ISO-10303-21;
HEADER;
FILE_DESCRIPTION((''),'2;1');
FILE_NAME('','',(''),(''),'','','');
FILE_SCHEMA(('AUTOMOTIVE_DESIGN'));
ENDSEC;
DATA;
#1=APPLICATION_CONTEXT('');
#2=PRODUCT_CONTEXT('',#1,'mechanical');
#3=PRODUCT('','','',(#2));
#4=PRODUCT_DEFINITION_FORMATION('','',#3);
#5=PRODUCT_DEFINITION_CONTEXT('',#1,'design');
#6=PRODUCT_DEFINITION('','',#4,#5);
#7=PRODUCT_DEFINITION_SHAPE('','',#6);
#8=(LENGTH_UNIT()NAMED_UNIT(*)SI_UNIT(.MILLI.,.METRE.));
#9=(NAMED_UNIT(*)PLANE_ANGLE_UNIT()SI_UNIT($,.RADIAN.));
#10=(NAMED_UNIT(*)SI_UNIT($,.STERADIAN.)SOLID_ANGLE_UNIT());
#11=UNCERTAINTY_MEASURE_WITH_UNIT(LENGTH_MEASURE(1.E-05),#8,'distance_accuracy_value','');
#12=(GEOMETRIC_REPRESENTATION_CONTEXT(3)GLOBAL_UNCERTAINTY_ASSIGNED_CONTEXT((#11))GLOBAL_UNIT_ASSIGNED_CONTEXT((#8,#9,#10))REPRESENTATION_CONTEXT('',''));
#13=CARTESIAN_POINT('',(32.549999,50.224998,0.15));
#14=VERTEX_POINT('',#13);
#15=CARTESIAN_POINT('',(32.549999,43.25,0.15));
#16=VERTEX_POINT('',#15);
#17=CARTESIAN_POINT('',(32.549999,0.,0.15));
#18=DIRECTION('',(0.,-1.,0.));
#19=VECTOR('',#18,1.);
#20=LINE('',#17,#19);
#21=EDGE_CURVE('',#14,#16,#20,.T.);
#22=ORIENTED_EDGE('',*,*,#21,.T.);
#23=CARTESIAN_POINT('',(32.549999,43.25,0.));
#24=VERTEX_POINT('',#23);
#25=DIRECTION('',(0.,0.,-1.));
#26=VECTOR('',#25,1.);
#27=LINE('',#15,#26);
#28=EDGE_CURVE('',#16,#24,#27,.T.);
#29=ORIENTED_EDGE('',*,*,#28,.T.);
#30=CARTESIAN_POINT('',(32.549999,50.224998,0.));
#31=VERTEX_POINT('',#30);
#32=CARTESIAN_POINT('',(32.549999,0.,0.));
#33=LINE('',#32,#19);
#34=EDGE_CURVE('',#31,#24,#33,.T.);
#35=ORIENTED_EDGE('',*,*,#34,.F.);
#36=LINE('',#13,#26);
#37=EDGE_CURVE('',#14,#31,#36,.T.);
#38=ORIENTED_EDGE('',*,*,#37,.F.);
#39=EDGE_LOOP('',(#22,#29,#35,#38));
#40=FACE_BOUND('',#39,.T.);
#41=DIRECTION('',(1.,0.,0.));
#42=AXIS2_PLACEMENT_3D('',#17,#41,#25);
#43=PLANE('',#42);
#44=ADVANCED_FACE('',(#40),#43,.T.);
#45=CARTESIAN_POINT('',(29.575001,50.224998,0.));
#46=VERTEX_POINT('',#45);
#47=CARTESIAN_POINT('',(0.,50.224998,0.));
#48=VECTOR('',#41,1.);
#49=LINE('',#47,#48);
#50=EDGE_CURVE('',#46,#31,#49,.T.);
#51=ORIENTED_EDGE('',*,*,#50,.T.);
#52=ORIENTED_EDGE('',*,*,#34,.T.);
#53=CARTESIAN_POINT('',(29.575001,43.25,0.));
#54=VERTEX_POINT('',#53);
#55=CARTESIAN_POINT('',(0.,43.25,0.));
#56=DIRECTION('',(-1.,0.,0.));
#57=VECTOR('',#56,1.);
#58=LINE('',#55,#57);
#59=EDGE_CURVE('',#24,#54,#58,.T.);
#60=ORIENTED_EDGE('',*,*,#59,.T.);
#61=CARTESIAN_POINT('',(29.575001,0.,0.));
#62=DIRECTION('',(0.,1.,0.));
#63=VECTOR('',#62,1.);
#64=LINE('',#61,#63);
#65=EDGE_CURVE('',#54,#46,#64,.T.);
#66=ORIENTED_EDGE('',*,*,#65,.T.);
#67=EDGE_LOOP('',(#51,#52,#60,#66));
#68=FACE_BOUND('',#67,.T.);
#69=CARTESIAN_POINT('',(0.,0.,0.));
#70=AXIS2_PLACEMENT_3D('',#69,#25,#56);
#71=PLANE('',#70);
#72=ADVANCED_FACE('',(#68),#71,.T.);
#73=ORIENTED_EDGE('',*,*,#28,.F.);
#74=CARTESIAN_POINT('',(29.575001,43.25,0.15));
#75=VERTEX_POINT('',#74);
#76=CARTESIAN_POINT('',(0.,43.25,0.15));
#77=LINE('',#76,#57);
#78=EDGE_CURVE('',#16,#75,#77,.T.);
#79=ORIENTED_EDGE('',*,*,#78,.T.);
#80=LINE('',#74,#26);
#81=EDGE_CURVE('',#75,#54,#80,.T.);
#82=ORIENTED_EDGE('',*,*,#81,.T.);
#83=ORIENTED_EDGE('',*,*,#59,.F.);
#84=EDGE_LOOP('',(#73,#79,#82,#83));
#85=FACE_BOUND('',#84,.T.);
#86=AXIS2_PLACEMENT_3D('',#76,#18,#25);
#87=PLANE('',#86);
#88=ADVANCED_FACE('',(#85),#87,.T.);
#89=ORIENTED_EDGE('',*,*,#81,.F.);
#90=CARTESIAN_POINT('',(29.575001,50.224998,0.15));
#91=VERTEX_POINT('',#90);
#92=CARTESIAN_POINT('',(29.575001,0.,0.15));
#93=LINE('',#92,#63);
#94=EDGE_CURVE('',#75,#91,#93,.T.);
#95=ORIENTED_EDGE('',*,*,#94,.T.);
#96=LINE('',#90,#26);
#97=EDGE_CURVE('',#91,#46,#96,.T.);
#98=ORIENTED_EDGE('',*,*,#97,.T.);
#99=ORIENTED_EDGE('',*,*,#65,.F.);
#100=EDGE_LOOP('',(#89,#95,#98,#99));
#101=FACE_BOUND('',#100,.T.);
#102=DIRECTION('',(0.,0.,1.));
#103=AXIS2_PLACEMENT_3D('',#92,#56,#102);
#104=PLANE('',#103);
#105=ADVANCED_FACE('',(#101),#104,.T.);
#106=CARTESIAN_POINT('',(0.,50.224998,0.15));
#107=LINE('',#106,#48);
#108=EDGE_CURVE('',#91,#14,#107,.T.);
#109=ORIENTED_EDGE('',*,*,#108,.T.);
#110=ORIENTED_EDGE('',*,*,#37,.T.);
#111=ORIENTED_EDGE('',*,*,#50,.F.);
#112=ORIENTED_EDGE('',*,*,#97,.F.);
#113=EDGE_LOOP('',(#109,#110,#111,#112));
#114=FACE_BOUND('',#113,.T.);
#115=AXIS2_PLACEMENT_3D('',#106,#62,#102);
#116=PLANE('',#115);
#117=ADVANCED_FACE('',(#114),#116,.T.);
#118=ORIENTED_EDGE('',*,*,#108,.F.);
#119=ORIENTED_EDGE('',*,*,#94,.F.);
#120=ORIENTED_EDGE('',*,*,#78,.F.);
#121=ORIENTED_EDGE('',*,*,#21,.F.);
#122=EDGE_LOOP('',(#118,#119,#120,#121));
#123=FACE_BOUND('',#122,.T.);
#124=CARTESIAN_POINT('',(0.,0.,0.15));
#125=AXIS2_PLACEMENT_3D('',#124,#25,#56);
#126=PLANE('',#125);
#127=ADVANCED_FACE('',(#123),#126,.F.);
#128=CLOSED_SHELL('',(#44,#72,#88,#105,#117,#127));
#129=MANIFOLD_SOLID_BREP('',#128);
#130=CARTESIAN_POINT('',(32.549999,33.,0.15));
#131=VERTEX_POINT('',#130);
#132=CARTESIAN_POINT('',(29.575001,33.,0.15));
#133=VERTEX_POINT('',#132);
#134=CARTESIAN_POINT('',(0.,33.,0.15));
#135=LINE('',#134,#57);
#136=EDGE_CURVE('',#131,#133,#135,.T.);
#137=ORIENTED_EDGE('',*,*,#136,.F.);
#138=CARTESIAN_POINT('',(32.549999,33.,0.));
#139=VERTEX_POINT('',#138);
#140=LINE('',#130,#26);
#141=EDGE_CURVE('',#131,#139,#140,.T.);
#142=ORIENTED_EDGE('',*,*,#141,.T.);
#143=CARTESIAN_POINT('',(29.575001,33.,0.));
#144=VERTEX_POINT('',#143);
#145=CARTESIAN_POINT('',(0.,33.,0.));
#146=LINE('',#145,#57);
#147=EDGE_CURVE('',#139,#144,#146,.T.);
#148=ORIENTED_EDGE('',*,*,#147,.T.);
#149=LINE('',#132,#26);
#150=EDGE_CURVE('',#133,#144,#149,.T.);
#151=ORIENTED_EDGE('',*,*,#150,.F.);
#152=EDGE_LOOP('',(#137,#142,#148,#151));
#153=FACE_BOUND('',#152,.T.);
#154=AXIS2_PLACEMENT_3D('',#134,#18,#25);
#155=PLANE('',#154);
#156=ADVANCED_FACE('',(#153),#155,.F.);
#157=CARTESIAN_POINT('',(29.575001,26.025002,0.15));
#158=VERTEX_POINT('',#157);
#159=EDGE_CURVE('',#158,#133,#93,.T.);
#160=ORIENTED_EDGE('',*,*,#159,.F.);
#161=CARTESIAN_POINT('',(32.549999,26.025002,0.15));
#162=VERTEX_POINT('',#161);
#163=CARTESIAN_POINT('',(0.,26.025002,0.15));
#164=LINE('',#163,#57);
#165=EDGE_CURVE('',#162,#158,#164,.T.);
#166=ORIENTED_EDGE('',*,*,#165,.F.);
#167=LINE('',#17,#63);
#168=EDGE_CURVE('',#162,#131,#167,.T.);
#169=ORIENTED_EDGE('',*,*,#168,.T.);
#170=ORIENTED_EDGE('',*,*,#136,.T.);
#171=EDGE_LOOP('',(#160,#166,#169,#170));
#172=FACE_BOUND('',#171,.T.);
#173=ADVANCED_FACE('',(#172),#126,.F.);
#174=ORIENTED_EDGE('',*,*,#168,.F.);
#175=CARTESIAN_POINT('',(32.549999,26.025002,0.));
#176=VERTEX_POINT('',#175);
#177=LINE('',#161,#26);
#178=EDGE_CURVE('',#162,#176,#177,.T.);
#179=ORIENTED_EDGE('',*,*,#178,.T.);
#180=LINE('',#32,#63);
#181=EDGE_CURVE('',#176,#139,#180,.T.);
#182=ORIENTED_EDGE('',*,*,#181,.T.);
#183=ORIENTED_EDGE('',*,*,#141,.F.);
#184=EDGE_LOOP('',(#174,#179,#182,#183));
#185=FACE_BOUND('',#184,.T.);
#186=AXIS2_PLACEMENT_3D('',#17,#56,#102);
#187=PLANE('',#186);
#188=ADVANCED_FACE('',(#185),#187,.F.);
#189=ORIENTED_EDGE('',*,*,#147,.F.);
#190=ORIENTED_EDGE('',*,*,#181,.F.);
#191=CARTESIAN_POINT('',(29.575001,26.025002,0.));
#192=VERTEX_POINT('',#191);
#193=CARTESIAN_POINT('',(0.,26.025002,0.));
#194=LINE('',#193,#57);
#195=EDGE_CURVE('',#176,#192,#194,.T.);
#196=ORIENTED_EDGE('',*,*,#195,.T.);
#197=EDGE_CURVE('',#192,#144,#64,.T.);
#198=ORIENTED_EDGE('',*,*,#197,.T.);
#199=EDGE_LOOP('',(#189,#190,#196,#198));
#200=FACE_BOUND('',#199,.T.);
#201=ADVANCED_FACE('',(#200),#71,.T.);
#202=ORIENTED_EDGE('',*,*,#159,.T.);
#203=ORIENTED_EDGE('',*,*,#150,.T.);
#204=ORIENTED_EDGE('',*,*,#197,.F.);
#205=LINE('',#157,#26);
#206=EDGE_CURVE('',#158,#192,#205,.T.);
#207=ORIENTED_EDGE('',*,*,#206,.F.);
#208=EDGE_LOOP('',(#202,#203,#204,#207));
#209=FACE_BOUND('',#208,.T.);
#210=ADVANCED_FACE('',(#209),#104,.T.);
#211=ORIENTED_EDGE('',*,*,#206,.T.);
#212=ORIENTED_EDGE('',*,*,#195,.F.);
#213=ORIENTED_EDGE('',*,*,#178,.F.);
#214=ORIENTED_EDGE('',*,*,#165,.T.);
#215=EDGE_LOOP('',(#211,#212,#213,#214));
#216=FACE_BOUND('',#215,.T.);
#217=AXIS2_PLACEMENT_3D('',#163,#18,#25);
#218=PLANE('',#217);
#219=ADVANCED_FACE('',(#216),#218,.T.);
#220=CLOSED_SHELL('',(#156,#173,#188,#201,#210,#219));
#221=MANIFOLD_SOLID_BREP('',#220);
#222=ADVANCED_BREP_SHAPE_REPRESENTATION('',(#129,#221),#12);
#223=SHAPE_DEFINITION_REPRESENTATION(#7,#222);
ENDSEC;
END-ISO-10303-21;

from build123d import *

# Parameters (mm, degrees)
SKETCH_1_W        = 2.974998474
SKETCH_1_H        = 6.974998474
EXTRUDE_1_DEPTH   = 0.15
EXTRUDE_1_2_DEPTH = 0.15


with BuildPart() as part:
    # Эскиз1 → Бобышка-Вытянуть1 (new body)
    with BuildSketch(Plane(origin=(0, 0, 0), x_dir=(-1, 0, 0), z_dir=(0, 0, -1))):
        with Locations((-31.0625, 46.737499237)):
            Rectangle(SKETCH_1_W, SKETCH_1_H)
    extrude(amount=-EXTRUDE_1_DEPTH)


with BuildPart() as body_2:
    # Эскиз1 → Extrude 1 2 (new body)
    with BuildSketch(Plane(origin=(0, 0, 0), x_dir=(-1, 0, 0), z_dir=(0, 0, -1))):
        with Locations((-31.0625, 29.512500763)):
            Rectangle(SKETCH_1_W, SKETCH_1_H)
    extrude(amount=-EXTRUDE_1_2_DEPTH)


solid = Compound([part.part, body_2.part])
